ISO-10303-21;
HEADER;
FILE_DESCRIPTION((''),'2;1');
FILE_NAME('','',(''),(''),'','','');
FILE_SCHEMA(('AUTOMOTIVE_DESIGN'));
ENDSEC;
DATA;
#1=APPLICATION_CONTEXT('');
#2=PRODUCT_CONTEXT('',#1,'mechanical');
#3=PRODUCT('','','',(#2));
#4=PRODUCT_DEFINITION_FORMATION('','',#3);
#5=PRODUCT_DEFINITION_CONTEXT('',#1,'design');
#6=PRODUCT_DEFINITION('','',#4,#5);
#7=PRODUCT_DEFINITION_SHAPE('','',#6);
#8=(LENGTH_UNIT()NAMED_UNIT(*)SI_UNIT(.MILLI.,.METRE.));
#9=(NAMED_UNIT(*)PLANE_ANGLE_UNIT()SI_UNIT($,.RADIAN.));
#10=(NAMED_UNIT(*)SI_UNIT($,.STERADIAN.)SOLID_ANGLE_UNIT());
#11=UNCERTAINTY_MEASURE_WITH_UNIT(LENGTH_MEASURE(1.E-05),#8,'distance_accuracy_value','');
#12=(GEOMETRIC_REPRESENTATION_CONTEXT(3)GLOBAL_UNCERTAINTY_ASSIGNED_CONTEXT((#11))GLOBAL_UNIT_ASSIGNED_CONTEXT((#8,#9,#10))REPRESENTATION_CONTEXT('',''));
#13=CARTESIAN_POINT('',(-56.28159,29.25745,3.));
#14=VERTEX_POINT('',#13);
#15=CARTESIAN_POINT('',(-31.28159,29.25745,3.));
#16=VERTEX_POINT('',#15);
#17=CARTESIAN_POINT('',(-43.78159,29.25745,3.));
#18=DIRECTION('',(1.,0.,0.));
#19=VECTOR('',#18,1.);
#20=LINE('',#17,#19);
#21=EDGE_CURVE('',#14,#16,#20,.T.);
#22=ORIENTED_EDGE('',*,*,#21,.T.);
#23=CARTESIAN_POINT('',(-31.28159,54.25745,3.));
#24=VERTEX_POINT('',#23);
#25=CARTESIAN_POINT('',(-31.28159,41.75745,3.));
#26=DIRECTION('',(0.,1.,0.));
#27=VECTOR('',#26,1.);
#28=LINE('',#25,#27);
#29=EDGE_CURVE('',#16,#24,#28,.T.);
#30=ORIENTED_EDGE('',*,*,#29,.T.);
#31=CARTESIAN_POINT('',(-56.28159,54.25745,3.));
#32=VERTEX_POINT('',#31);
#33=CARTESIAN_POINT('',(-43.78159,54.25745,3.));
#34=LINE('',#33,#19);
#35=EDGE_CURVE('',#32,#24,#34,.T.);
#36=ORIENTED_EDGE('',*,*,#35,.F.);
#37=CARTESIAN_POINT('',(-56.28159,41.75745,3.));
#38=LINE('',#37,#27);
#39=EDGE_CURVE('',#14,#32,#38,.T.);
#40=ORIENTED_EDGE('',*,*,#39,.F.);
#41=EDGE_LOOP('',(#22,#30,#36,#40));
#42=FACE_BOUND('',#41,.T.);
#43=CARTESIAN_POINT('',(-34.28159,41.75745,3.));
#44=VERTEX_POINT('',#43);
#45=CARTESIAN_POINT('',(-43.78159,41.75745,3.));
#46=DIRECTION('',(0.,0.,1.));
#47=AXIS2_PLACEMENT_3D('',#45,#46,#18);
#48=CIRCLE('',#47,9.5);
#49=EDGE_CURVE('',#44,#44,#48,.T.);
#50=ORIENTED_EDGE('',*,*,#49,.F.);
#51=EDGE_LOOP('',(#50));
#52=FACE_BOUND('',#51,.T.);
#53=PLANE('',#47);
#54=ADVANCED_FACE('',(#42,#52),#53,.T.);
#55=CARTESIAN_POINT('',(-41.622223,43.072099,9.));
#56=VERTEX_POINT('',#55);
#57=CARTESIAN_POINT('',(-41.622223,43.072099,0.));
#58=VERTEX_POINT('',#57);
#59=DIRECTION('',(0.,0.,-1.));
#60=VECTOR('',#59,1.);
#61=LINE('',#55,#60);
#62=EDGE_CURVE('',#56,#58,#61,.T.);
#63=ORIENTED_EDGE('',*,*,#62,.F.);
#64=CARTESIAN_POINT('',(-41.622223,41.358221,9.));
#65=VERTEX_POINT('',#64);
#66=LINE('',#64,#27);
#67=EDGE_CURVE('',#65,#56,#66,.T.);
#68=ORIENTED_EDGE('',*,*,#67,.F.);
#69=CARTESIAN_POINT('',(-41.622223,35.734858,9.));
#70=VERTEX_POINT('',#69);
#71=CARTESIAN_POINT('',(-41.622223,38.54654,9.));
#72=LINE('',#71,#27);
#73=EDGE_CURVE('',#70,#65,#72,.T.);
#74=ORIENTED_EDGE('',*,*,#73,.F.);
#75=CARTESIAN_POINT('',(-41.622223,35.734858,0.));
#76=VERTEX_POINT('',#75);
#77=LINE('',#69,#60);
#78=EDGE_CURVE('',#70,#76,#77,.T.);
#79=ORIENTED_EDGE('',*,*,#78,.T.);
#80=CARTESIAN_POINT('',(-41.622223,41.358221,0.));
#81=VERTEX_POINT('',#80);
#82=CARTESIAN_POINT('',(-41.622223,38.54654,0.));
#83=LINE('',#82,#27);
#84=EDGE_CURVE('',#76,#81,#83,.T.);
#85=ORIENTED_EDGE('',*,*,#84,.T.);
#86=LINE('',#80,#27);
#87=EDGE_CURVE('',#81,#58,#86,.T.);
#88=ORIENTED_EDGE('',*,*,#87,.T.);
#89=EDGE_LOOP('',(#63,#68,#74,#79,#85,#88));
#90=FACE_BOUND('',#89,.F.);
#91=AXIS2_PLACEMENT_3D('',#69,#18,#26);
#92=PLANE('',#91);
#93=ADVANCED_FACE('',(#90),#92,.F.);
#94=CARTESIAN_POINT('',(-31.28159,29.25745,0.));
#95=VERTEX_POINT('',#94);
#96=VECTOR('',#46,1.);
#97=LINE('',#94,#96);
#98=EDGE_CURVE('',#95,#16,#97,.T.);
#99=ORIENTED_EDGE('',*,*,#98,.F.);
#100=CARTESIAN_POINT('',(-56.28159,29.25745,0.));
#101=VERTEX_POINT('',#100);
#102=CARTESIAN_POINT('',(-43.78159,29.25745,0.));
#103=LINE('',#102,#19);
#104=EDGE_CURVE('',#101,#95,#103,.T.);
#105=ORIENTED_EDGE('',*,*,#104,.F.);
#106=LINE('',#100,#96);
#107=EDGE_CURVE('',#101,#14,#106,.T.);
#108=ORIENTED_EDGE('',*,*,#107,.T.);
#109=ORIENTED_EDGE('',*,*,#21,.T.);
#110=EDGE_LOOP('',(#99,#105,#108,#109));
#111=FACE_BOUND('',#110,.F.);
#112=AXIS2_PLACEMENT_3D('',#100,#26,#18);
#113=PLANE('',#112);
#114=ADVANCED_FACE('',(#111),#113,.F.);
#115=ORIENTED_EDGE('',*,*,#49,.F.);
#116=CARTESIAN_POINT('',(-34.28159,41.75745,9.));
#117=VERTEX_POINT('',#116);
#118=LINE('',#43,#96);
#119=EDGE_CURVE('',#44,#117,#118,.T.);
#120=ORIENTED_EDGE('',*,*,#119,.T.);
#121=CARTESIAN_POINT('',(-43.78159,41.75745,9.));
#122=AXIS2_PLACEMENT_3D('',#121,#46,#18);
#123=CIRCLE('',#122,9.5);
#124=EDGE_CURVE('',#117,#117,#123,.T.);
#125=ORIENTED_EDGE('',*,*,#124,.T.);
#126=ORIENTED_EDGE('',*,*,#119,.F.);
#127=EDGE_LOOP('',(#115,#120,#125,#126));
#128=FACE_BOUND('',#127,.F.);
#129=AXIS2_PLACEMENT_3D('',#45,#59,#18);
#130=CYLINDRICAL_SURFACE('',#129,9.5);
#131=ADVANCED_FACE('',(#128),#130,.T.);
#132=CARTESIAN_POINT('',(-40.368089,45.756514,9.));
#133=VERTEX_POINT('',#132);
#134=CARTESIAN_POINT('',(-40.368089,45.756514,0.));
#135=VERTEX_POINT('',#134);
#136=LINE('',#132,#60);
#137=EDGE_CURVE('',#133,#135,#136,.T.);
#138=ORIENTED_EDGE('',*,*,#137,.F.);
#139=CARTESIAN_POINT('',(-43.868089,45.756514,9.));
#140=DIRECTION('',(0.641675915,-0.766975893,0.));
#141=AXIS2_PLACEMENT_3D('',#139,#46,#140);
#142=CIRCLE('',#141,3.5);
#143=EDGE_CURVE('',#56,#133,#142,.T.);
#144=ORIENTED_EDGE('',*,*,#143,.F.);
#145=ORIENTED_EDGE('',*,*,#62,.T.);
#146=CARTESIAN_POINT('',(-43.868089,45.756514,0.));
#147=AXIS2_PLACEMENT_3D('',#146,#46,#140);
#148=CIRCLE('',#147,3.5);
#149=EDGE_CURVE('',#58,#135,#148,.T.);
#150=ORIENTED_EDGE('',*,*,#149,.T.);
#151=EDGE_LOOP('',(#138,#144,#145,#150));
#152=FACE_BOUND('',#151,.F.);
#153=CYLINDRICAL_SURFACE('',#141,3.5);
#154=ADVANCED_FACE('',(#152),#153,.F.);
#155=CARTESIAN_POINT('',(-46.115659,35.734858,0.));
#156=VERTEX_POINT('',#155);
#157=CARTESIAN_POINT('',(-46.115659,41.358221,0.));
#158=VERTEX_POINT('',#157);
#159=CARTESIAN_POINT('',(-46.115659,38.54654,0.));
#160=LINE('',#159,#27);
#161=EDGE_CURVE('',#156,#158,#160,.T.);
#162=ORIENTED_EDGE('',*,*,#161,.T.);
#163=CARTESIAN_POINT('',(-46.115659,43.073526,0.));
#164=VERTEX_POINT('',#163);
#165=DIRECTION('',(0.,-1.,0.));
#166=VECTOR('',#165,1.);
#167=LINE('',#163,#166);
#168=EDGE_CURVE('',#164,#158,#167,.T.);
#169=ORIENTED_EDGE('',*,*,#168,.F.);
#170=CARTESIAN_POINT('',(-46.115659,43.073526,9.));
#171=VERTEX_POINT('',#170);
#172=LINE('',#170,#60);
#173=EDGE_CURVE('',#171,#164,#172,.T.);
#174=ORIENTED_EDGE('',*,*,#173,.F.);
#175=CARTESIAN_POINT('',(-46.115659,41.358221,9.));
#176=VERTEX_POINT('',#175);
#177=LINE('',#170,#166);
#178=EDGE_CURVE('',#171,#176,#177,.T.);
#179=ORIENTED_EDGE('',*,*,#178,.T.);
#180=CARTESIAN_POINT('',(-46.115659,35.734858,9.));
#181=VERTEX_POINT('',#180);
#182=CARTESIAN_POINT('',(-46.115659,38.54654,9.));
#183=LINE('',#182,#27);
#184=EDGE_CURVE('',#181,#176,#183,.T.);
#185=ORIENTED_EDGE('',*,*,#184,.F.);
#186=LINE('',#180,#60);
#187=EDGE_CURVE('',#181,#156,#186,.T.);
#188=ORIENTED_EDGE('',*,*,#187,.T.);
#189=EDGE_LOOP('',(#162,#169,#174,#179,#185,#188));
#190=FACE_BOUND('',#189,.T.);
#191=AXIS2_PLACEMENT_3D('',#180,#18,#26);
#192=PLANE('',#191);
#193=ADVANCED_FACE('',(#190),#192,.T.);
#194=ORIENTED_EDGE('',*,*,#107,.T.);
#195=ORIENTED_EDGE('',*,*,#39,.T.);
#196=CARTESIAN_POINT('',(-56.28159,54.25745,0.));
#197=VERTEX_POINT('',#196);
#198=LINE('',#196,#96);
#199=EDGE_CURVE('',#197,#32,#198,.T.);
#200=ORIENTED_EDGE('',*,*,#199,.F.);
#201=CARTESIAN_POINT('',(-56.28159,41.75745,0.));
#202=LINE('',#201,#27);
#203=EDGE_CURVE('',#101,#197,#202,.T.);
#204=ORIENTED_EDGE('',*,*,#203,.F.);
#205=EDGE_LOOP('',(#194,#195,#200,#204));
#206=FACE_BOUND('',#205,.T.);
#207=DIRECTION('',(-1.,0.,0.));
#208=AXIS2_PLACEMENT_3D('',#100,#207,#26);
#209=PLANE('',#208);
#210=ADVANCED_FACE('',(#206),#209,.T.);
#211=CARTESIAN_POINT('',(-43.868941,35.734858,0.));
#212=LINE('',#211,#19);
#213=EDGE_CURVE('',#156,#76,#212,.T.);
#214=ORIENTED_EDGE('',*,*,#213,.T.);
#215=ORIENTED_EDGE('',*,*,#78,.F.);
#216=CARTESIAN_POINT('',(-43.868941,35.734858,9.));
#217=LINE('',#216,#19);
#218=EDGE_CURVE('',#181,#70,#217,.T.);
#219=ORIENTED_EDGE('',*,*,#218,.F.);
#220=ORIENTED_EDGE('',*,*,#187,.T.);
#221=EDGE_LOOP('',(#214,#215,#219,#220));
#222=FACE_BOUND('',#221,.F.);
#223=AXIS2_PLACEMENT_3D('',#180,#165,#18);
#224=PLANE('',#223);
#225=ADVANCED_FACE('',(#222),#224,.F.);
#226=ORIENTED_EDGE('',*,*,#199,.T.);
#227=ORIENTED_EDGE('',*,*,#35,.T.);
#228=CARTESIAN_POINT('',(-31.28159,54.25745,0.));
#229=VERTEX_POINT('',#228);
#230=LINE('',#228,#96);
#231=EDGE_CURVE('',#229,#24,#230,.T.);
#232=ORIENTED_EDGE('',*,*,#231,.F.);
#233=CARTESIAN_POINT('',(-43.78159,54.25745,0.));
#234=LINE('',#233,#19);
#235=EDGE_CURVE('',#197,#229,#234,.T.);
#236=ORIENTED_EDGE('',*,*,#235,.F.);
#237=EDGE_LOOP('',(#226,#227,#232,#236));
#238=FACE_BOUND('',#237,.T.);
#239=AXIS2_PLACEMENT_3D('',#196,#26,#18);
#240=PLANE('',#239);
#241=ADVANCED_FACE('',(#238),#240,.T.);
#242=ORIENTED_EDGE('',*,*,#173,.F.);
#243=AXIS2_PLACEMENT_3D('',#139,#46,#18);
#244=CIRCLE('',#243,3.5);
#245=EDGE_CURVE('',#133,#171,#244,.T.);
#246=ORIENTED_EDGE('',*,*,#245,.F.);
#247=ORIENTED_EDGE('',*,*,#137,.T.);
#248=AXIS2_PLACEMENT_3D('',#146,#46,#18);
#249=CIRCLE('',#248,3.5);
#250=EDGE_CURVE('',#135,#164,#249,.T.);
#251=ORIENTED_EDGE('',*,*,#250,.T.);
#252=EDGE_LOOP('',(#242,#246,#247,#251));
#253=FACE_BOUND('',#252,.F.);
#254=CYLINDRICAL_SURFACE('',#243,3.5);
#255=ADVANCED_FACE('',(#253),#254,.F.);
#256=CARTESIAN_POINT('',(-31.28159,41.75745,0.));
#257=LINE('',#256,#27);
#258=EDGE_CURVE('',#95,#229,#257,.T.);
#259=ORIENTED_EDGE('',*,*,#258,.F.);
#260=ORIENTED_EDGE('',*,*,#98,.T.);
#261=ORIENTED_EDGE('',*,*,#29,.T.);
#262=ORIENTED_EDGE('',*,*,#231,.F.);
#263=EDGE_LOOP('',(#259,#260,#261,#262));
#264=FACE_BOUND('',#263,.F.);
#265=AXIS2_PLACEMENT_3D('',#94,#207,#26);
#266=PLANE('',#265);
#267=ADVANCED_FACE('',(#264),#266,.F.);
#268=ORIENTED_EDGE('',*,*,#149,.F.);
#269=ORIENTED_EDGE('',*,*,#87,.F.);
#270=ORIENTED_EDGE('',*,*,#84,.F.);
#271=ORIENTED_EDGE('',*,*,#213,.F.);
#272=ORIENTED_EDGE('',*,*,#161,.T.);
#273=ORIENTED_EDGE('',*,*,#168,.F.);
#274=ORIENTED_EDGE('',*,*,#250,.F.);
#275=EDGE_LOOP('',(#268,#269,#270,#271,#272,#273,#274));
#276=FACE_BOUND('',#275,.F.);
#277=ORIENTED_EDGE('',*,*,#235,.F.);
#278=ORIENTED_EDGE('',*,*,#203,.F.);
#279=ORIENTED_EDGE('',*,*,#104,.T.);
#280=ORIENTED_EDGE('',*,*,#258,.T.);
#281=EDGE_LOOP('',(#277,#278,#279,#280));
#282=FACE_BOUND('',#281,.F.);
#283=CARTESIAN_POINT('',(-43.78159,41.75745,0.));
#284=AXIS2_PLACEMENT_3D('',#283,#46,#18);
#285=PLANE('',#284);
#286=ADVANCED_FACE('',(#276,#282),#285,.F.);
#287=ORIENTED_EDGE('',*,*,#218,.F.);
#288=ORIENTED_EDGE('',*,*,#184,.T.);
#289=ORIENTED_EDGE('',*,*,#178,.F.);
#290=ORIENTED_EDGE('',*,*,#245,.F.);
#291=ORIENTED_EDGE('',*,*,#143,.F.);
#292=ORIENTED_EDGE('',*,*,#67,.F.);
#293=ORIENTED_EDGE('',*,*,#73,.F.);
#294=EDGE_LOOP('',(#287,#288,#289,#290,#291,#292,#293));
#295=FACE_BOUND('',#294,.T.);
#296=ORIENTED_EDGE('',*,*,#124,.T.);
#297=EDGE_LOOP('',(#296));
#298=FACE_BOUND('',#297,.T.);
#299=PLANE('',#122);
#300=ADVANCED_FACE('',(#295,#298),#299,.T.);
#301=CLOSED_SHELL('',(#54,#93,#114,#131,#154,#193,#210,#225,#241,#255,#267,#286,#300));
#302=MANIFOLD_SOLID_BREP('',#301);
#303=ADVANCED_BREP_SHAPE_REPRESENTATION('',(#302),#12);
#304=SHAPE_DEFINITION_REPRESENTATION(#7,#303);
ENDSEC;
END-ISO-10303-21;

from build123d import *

# Parameters (mm, degrees)
F0_W     = 25
F0_H     = 25
F1_DEPTH = 3
F2_R     = 9.5
F3_DEPTH = 6
F4_W     = 4.4934357473
F4_H     = 5.6233623327
F5_DEPTH = 9


with BuildPart() as f1:
    # F0 (on Top) → F1 (new body)
    with BuildSketch(Plane.XY):
        with Locations((-43.7815897167, 41.7574498571)):
            Rectangle(F0_W, F0_H)
    extrude(amount=F1_DEPTH)

    # F2 (on face) → F3 (join)
    with BuildSketch(Plane.XY.offset(3)):
        with Locations((-43.7815897167, 41.7574498571)):
            Circle(F2_R)
    extrude(amount=F3_DEPTH)

    # F4 (on face) → F5 (cut)
    with BuildSketch(Plane.XY.offset(9)):
        with Locations((-43.8689409503, 38.5465395694)):
            Rectangle(F4_W, F4_H)
        with BuildLine():
            ThreePointArc((-40.3680887796, 45.7565144868), (-45.3485456086, 48.9279885254), (-46.1156588239, 43.0735256877))
            Line((-46.1156588239, 43.0735256877), (-41.6222230767, 43.0735256877))
            Line((-41.6222230767, 43.0735256877), (-41.6222230767, 43.0720988624))
            ThreePointArc((-41.6222230767, 43.0720988624), (-40.6970849984, 44.2750506769), (-40.3680887796, 45.7565144868))
        make_face()
        with BuildLine():
            Line((-46.1156588239, 43.0735256877), (-46.1156588239, 41.3582207357))
            Line((-46.1156588239, 41.3582207357), (-41.6222230767, 41.3582207357))
            Line((-41.6222230767, 41.3582207357), (-41.6222230767, 43.0720988624))
            ThreePointArc((-41.6222230767, 43.0720988624), (-43.8692001537, 42.2565146632), (-46.1156588239, 43.0735256877))
        make_face()
        with BuildLine():
            Line((-41.6222230767, 43.0735256877), (-46.1156588239, 43.0735256877))
            ThreePointArc((-46.1156588239, 43.0735256877), (-43.8692001537, 42.2565146632), (-41.6222230767, 43.0720988624))
            Line((-41.6222230767, 43.0720988624), (-41.6222230767, 43.0735256877))
        make_face()
    extrude(amount=-F5_DEPTH, mode=Mode.SUBTRACT)


solid = f1.part
